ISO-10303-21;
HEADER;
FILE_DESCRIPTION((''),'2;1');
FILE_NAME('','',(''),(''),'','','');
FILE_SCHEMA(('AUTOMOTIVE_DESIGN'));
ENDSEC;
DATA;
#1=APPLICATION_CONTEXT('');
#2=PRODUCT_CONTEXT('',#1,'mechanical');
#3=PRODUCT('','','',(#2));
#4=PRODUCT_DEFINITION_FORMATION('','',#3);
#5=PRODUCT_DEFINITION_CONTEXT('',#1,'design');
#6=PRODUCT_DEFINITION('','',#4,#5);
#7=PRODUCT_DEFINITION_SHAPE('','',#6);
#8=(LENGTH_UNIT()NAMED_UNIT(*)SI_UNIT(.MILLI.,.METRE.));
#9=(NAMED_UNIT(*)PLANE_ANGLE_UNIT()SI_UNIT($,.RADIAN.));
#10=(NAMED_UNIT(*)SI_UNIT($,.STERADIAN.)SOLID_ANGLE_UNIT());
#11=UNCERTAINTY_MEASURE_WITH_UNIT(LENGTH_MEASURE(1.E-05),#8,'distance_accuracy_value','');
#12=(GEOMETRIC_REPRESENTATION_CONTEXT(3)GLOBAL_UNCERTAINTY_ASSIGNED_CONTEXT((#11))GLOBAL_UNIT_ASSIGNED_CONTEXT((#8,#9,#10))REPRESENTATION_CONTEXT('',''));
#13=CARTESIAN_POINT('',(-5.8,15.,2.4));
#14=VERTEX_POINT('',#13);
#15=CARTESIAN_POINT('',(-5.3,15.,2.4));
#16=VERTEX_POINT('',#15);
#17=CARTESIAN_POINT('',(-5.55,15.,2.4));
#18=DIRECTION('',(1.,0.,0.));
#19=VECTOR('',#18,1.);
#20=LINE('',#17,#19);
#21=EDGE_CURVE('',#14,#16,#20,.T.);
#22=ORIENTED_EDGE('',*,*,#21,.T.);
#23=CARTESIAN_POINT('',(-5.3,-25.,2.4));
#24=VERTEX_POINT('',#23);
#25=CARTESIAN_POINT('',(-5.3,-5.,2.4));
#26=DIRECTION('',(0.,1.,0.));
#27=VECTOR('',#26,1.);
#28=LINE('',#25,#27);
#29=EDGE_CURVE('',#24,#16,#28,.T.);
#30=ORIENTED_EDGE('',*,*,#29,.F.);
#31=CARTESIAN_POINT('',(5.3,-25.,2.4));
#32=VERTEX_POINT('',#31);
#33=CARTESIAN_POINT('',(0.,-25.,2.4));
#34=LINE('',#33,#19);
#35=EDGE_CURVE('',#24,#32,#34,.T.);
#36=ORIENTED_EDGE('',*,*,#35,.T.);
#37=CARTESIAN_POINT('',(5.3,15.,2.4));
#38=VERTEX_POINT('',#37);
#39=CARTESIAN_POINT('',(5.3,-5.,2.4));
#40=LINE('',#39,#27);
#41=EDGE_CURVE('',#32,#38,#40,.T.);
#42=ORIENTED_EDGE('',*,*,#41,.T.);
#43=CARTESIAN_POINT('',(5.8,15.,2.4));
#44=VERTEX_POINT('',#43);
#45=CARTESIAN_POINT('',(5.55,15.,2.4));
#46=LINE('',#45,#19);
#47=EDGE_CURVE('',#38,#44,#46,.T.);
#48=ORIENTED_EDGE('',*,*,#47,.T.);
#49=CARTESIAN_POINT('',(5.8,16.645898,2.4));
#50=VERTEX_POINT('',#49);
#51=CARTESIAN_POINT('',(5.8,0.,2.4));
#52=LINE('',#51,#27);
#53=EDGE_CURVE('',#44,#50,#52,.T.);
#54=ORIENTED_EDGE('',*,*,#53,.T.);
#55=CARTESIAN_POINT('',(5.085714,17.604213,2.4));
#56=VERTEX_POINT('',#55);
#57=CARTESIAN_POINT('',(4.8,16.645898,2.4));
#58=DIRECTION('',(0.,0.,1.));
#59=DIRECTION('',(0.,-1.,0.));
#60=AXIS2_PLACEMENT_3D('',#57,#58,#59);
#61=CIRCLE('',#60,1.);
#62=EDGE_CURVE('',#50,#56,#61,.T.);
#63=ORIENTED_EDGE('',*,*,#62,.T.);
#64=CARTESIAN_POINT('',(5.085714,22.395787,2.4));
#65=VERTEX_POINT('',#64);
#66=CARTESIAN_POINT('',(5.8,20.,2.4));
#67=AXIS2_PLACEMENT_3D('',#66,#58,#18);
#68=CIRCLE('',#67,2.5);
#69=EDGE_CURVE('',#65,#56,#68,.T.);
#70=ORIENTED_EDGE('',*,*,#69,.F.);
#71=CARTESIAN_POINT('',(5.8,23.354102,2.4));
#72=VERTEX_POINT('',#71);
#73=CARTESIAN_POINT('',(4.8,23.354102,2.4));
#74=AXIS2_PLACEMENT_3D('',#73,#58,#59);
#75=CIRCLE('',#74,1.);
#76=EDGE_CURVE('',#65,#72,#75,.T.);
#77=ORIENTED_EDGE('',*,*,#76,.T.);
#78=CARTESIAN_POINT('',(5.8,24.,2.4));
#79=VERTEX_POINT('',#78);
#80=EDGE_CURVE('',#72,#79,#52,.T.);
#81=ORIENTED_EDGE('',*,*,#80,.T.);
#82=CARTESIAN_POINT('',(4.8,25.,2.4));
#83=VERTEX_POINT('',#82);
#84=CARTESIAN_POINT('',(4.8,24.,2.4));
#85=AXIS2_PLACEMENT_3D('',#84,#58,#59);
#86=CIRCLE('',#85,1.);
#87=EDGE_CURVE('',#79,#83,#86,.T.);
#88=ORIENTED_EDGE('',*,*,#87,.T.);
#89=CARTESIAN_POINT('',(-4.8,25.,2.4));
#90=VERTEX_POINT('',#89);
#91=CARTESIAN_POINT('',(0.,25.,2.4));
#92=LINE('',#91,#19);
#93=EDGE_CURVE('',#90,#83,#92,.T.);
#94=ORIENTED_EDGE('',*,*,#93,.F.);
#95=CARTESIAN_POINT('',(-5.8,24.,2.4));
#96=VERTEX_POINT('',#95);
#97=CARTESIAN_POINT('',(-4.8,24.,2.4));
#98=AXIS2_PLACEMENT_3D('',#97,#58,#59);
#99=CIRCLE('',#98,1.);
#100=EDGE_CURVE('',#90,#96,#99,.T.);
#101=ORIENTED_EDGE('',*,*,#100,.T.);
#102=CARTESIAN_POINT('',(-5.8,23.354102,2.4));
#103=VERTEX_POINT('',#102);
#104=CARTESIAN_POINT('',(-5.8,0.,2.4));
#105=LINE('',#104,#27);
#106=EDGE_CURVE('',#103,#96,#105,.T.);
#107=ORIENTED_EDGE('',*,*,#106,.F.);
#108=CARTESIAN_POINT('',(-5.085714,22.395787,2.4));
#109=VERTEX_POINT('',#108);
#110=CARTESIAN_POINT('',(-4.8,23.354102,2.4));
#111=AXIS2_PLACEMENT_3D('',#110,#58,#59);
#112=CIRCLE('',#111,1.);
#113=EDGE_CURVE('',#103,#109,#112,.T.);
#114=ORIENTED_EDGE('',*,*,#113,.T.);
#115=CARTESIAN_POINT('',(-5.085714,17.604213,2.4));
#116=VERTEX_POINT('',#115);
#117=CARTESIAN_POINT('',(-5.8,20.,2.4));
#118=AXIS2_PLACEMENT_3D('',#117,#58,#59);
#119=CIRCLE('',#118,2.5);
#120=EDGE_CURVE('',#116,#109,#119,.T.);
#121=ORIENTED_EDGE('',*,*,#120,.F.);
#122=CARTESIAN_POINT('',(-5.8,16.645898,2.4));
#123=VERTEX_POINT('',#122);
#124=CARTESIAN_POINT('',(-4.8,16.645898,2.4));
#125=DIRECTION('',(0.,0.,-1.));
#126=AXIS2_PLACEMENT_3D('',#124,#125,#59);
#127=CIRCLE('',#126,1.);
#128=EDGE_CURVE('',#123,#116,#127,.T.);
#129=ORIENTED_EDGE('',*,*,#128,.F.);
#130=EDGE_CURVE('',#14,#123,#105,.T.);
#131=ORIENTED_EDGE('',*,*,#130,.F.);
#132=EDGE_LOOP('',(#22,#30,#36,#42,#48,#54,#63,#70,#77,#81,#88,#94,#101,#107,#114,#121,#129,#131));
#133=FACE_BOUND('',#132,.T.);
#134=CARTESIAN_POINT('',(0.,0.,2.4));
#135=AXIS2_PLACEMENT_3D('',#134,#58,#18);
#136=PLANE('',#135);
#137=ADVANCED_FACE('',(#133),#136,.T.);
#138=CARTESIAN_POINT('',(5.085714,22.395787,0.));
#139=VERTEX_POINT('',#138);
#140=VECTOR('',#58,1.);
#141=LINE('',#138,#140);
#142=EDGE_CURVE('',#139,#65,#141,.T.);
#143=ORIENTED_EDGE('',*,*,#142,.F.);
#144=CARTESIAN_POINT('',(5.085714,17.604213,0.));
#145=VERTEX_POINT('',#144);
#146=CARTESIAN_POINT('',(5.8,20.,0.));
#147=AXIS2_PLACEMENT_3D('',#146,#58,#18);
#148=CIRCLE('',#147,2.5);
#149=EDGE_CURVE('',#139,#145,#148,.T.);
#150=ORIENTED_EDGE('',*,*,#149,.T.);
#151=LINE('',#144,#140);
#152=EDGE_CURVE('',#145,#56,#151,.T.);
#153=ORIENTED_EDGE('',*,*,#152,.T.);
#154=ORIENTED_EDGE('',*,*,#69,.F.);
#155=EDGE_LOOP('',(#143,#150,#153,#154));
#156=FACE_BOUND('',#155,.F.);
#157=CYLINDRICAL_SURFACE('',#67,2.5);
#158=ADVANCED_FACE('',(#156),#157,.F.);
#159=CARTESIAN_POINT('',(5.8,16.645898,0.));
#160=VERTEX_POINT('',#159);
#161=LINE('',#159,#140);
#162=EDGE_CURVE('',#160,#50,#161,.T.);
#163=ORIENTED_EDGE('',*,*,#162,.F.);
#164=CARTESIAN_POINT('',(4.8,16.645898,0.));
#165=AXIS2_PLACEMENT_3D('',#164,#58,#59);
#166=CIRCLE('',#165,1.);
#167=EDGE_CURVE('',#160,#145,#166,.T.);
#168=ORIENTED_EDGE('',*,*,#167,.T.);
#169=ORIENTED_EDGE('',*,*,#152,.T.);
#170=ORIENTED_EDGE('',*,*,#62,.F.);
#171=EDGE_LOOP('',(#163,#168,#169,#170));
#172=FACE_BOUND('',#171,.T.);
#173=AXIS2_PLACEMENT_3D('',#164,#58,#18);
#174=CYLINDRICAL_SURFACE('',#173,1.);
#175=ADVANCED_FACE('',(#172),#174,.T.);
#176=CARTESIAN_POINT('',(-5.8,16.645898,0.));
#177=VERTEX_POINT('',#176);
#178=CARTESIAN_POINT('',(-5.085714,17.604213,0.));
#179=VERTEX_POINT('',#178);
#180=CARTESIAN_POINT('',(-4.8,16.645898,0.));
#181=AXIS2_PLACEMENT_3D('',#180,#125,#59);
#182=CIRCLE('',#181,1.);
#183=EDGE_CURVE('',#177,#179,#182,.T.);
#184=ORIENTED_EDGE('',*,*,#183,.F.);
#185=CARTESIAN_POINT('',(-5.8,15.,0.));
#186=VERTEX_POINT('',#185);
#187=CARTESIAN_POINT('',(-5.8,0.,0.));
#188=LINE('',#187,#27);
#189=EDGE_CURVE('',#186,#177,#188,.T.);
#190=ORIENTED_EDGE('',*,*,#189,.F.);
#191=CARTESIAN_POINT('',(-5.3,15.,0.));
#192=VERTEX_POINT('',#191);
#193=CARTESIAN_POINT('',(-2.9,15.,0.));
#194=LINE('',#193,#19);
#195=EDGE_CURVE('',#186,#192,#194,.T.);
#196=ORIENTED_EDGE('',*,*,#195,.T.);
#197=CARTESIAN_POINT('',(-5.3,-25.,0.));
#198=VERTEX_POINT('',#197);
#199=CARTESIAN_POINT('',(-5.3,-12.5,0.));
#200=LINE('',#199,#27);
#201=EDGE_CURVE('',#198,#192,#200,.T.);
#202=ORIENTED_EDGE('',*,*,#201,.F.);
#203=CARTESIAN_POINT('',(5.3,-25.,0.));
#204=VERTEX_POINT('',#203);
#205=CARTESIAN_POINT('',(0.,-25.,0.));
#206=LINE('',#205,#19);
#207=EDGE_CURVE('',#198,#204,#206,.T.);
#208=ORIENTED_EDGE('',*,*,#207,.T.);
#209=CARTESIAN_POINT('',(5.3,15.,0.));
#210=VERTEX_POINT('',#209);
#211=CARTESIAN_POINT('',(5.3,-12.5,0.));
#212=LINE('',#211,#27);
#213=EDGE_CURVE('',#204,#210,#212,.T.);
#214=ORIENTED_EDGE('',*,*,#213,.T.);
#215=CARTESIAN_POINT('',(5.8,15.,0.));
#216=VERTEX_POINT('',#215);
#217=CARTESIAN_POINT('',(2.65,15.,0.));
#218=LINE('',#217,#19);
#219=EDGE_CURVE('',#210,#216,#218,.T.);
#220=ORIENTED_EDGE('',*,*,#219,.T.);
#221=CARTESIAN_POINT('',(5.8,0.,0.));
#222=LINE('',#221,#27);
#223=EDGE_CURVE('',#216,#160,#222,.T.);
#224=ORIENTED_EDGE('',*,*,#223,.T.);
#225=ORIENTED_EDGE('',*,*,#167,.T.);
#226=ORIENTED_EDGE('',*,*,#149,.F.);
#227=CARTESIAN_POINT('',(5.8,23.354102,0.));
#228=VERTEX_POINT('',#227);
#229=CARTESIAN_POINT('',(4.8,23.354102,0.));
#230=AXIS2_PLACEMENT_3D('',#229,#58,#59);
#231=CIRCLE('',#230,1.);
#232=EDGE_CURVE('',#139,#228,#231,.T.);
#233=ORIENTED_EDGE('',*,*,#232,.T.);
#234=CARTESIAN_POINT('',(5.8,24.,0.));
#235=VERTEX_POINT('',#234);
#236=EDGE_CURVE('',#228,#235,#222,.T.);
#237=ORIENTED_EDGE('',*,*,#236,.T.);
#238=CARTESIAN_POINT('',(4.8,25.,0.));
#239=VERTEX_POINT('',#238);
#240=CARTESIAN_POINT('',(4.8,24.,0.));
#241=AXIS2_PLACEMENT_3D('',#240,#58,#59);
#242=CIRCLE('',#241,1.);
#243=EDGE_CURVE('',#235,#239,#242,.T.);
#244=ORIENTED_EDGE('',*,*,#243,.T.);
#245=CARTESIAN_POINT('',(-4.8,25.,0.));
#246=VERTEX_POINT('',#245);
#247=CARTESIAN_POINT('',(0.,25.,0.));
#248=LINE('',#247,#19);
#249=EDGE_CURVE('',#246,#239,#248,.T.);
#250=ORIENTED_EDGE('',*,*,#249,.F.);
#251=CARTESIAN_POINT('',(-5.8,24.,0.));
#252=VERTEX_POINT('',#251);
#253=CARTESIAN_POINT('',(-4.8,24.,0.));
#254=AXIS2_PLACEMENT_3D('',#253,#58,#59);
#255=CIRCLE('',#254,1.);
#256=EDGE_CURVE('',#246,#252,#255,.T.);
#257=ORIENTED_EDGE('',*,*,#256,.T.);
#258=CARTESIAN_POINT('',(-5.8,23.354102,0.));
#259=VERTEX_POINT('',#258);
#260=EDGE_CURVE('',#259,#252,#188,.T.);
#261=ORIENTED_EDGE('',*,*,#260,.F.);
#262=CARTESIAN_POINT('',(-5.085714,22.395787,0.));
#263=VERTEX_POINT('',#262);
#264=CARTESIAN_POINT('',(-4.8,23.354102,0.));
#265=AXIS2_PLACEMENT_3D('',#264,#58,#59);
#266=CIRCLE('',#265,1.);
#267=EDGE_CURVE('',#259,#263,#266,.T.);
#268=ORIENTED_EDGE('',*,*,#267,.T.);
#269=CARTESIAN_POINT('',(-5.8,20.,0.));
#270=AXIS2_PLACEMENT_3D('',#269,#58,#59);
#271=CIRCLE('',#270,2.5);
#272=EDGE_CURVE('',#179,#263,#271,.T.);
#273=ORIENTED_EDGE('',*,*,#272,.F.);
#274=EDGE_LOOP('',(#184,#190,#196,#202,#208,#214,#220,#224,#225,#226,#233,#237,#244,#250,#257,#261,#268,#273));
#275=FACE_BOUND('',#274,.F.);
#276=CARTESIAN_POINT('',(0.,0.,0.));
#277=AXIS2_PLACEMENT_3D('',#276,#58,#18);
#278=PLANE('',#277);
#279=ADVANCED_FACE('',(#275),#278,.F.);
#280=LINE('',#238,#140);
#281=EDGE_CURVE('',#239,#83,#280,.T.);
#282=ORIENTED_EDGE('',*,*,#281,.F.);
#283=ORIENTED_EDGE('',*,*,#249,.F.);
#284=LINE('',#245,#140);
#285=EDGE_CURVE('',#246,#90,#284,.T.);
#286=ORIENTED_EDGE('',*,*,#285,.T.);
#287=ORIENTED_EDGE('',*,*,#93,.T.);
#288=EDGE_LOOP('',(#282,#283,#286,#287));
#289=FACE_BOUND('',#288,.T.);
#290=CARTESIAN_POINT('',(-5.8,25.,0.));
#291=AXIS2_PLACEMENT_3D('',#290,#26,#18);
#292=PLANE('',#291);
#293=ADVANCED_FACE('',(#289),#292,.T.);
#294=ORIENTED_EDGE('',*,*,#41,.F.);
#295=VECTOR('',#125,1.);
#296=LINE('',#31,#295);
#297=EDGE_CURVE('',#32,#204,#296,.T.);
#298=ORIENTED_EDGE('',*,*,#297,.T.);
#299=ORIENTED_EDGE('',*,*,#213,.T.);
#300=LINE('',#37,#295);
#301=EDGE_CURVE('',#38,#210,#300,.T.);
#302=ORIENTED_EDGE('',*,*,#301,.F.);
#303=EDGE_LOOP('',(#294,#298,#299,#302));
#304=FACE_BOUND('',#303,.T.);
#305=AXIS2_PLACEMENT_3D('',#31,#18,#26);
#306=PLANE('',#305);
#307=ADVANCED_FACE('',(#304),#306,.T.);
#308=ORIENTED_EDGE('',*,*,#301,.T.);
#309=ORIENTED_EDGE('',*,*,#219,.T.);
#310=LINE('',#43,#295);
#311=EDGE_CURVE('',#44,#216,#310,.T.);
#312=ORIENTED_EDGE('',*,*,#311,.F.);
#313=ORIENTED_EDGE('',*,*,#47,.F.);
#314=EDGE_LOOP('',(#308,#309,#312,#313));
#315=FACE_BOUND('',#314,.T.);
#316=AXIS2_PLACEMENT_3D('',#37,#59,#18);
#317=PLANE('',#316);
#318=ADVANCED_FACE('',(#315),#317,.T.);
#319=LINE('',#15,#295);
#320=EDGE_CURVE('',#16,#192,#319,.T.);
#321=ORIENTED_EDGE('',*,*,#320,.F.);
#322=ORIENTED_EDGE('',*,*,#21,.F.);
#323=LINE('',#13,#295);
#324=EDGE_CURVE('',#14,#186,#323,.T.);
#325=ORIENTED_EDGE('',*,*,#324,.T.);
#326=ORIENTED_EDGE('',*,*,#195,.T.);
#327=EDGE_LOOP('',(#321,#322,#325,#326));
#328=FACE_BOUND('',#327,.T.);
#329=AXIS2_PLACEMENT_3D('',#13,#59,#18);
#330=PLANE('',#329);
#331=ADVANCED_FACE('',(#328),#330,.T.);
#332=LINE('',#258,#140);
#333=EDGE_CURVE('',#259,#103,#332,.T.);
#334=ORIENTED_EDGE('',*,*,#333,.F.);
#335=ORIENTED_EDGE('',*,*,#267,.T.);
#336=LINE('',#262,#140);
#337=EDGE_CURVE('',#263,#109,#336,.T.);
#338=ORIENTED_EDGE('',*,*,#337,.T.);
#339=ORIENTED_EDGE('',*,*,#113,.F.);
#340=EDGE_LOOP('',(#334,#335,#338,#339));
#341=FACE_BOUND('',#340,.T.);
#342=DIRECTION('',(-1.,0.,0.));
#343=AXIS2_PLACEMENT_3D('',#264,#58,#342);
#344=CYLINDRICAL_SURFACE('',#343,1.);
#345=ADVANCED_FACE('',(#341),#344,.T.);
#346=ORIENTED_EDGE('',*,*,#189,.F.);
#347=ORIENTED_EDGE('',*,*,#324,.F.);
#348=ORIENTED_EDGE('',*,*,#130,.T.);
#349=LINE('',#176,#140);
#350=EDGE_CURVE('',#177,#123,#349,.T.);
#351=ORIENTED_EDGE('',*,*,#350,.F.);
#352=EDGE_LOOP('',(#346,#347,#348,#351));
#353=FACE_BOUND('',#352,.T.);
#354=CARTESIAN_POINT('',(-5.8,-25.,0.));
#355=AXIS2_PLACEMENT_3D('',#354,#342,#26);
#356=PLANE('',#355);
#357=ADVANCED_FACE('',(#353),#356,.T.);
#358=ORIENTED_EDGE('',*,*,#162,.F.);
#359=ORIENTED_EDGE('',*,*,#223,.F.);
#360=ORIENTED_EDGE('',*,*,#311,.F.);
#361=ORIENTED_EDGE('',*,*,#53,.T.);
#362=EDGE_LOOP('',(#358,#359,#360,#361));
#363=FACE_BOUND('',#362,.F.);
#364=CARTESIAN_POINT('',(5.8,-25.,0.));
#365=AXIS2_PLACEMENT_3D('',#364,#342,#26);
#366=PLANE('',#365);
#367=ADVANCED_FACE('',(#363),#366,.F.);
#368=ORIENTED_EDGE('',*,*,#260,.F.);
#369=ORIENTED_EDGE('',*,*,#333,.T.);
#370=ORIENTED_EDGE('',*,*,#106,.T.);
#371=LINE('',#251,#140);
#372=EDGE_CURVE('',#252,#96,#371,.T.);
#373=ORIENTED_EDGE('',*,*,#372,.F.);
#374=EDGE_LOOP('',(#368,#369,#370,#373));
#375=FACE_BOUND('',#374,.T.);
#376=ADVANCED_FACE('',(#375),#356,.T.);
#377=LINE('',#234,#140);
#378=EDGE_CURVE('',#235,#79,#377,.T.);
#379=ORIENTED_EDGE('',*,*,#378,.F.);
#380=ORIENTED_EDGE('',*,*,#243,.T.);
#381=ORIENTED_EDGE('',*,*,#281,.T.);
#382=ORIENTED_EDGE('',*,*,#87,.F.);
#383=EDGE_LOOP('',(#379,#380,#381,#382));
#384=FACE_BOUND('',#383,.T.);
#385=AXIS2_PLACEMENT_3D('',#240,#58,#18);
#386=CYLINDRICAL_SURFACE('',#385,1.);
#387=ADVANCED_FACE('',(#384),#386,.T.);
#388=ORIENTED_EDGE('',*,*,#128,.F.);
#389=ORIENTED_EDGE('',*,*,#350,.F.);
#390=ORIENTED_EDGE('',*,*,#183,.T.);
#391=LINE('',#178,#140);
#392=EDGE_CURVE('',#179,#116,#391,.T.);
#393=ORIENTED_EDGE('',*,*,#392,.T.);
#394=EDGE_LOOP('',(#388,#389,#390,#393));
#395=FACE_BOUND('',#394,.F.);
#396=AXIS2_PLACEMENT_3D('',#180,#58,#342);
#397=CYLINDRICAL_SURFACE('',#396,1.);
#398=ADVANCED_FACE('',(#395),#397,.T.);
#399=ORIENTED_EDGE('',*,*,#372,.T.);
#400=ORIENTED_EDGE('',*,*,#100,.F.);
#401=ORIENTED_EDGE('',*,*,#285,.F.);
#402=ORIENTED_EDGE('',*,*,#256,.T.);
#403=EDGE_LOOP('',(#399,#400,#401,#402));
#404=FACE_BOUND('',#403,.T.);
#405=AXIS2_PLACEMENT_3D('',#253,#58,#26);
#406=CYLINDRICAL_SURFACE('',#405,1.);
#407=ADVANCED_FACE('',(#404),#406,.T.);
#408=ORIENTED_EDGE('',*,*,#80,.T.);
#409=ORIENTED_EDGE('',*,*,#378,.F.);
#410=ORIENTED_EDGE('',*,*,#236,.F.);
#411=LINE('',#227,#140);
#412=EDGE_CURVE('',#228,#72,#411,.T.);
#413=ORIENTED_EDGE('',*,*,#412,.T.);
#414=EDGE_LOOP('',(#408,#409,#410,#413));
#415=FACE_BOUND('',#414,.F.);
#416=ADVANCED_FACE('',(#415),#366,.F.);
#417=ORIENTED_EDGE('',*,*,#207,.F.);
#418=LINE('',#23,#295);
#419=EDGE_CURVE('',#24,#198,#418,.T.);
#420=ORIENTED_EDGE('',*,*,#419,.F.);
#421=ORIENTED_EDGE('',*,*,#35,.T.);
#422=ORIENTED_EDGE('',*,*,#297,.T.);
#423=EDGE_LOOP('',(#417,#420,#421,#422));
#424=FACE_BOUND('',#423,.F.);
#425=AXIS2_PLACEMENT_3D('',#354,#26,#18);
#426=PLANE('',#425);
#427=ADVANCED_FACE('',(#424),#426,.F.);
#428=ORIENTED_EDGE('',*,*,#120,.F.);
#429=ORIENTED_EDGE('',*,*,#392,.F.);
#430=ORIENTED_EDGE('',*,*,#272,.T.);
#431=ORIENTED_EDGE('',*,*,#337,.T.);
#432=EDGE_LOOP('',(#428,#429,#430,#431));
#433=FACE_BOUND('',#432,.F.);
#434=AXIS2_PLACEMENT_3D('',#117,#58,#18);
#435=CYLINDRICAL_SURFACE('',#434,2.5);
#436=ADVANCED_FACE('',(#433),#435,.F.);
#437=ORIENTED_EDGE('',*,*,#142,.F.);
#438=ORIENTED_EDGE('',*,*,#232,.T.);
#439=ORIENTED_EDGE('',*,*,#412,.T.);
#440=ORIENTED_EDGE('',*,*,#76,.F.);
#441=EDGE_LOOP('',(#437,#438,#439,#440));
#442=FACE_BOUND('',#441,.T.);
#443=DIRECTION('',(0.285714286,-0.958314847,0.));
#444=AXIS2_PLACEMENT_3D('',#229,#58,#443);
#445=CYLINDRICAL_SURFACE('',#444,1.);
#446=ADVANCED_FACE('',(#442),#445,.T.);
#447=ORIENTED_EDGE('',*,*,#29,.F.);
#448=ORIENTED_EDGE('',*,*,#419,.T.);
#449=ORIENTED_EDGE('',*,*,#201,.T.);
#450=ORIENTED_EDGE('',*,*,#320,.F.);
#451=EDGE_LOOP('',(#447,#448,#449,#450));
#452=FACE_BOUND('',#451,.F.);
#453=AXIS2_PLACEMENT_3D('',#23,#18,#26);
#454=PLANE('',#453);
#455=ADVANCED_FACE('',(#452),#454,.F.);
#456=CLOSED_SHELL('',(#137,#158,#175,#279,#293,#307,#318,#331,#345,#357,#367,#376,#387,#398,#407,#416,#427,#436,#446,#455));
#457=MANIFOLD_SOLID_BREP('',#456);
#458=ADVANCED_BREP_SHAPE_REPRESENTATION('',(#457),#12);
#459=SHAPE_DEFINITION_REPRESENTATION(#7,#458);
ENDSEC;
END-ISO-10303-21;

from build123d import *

# Parameters (mm, degrees)
F0_W     = 11.6
F0_H     = 50
F1_DEPTH = 2.4
F2_R     = 2.5
F2_W     = 0.5
F2_H     = 40
F3_DEPTH = 25
F4_R     = 1


with BuildPart() as f1:
    # F0 (on Top) → F1 (new body)
    with BuildSketch(Plane.XY):
        Rectangle(F0_W, F0_H)
    extrude(amount=F1_DEPTH)

    # F2 (on face) → F3 (cut)
    with BuildSketch(Plane.XY.offset(2.4)):
        with Locations((5.8, 20)):
            Circle(F2_R)
        with Locations((5.55, -5)):
            Rectangle(F2_W, F2_H)
        with Locations((-5.8, 20)):
            Circle(F2_R)
        with Locations((-5.55, -5)):
            Rectangle(F2_W, F2_H)
    extrude(amount=-F3_DEPTH, mode=Mode.SUBTRACT)

    # F4
    f4_edges = [f1.edges().sort_by_distance(p)[0] for p in [
        (5.8, 22.5, 1.2),
        (5.8, 17.5, 1.2),
        (-5.8, 22.5, 1.2),
        (-5.8, 17.5, 1.2),
        (5.8, 25, 1.2),
        (-5.8, 25, 1.2),
    ]]
    fillet(f4_edges, radius=F4_R)


solid = f1.part
